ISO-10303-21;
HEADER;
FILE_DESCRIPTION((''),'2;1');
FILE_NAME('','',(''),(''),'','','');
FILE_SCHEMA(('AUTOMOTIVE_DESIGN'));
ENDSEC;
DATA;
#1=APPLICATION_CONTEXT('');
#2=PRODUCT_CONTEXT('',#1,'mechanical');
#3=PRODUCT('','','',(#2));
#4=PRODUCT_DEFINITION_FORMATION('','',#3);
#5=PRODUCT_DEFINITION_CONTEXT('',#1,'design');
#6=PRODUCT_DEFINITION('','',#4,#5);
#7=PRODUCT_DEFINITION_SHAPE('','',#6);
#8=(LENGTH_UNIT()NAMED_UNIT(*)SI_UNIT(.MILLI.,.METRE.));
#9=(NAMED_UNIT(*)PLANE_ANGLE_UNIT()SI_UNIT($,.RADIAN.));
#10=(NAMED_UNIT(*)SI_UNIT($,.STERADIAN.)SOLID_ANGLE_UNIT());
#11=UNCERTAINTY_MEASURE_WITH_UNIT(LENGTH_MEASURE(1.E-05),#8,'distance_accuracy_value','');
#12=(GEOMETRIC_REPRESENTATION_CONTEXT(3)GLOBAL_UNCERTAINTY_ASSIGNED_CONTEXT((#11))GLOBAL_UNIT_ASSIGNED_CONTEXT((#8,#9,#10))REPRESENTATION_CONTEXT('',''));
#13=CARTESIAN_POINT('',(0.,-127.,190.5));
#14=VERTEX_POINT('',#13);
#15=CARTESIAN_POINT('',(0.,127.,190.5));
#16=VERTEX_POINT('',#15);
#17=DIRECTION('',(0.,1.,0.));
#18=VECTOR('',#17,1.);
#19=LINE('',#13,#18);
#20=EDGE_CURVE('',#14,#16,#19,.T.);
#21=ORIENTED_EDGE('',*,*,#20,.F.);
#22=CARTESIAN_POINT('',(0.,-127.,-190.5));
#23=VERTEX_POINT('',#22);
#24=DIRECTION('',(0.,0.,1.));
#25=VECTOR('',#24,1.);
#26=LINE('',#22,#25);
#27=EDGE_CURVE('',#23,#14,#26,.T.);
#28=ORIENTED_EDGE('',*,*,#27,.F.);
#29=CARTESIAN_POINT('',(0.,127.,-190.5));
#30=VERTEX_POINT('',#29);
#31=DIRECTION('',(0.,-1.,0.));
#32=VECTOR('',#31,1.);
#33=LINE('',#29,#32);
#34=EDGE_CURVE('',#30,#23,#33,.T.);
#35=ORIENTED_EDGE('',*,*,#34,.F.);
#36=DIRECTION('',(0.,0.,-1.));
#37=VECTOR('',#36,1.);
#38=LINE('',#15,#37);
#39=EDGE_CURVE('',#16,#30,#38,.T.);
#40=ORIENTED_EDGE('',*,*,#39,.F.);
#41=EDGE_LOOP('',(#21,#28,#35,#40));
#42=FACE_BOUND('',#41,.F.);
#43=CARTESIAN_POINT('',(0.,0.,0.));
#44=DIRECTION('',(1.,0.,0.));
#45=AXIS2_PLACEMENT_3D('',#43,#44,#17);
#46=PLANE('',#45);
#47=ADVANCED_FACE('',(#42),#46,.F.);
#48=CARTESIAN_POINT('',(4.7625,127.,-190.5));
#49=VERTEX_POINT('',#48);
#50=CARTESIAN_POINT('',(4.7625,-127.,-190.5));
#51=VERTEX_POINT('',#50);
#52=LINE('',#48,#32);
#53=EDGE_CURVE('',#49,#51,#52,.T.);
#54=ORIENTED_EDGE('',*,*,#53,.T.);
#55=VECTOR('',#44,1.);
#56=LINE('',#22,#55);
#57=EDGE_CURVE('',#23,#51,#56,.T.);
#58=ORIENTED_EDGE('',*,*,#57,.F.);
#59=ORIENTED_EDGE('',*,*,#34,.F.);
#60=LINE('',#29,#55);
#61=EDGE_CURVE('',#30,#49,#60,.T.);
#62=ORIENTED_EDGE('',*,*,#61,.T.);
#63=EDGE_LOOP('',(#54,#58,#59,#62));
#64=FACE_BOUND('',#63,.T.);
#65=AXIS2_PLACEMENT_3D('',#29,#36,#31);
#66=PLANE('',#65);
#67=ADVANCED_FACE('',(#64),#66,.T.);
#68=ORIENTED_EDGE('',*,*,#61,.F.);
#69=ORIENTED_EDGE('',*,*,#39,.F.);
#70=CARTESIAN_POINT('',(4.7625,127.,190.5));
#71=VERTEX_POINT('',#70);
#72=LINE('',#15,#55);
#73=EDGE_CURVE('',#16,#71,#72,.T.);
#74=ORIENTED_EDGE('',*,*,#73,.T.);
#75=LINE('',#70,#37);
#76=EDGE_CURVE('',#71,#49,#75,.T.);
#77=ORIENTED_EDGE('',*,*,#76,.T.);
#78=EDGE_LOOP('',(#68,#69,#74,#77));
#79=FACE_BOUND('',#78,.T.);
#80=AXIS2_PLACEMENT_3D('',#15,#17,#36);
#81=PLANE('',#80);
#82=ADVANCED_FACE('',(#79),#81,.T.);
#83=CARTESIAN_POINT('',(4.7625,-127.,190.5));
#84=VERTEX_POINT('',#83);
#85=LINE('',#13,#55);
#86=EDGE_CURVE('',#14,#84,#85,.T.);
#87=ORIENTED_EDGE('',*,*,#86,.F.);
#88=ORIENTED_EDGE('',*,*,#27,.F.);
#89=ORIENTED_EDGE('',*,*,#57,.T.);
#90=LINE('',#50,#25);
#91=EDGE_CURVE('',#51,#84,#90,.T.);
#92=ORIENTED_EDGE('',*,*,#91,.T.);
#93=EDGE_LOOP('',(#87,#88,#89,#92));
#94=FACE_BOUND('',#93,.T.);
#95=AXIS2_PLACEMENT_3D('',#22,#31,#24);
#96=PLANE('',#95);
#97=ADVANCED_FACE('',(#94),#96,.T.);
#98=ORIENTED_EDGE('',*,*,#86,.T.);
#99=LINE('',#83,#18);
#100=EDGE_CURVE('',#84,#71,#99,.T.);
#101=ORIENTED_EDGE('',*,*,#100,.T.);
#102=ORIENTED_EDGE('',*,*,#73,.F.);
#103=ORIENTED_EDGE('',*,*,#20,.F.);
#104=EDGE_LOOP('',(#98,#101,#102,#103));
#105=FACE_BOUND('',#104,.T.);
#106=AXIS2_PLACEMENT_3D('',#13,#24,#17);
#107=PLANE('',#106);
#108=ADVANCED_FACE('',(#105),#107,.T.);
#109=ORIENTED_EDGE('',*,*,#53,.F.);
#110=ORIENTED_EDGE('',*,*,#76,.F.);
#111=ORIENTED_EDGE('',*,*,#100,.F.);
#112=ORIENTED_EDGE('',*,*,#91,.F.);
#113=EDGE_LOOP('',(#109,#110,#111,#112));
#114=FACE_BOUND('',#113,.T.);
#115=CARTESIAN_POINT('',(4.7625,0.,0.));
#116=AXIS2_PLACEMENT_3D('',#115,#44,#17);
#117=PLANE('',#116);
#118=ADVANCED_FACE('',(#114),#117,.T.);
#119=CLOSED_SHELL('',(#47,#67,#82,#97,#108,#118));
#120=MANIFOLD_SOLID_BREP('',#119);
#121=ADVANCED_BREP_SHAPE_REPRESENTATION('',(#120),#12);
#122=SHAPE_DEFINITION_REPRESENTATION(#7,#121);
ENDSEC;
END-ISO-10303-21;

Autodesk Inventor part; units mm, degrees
ref_plane "YZ Plane" through (0, 0, 0) normal (1, 0, 0) x (0, 1, 0)
ref_plane "XZ Plane" through (0, 0, 0) normal (0, 1, 0) x (-1, 0, 0)
ref_plane "XY Plane" through (0, 0, 0) normal (0, 0, 1) x (1, 0, 0)
sketch "Sketch1" plane through (0, 0, 0) normal (1, 0, 0) x (0, 1, 0)
  line L0 (-127, 190.5) -> (127, 190.5)
  line L1 (127, 190.5) -> (127, -190.5)
  line L2 (127, -190.5) -> (-127, -190.5)
  line L3 (-127, -190.5) -> (-127, 190.5)
  line L4 (-127, 190.5) -> (127, -190.5) construction
  line L5 (127, 190.5) -> (-127, -190.5) construction
  point P0 (0, 0)
  dimension "d0" = 381
  dimension "d1" = 254
extrude "Plate1" add sketch "Sketch1" along normal blind 4.7625
equation "\"BendRadius\" = Thickness"
equation "\"BendReliefWidth\" = Thickness"
equation "\"BendReliefDepth\" = 0.5 * Thickness"
equation "\"CornerReliefSize\" = 4 * Thickness"
equation "\"MinimumRemnant\" = 2 * Thickness"
equation "\"TransitionRadius\" = BendRadius"
equation "\"JacobiRadiusSize\" = BendRadius"
equation "\"GapSize\" = Thickness"
equation "\"d2\" = BendRadius"
equation "\"Thickness\" = 4.7625"
properties part number "LongTLeftRightOutRev3" material "Steel, Mild"
